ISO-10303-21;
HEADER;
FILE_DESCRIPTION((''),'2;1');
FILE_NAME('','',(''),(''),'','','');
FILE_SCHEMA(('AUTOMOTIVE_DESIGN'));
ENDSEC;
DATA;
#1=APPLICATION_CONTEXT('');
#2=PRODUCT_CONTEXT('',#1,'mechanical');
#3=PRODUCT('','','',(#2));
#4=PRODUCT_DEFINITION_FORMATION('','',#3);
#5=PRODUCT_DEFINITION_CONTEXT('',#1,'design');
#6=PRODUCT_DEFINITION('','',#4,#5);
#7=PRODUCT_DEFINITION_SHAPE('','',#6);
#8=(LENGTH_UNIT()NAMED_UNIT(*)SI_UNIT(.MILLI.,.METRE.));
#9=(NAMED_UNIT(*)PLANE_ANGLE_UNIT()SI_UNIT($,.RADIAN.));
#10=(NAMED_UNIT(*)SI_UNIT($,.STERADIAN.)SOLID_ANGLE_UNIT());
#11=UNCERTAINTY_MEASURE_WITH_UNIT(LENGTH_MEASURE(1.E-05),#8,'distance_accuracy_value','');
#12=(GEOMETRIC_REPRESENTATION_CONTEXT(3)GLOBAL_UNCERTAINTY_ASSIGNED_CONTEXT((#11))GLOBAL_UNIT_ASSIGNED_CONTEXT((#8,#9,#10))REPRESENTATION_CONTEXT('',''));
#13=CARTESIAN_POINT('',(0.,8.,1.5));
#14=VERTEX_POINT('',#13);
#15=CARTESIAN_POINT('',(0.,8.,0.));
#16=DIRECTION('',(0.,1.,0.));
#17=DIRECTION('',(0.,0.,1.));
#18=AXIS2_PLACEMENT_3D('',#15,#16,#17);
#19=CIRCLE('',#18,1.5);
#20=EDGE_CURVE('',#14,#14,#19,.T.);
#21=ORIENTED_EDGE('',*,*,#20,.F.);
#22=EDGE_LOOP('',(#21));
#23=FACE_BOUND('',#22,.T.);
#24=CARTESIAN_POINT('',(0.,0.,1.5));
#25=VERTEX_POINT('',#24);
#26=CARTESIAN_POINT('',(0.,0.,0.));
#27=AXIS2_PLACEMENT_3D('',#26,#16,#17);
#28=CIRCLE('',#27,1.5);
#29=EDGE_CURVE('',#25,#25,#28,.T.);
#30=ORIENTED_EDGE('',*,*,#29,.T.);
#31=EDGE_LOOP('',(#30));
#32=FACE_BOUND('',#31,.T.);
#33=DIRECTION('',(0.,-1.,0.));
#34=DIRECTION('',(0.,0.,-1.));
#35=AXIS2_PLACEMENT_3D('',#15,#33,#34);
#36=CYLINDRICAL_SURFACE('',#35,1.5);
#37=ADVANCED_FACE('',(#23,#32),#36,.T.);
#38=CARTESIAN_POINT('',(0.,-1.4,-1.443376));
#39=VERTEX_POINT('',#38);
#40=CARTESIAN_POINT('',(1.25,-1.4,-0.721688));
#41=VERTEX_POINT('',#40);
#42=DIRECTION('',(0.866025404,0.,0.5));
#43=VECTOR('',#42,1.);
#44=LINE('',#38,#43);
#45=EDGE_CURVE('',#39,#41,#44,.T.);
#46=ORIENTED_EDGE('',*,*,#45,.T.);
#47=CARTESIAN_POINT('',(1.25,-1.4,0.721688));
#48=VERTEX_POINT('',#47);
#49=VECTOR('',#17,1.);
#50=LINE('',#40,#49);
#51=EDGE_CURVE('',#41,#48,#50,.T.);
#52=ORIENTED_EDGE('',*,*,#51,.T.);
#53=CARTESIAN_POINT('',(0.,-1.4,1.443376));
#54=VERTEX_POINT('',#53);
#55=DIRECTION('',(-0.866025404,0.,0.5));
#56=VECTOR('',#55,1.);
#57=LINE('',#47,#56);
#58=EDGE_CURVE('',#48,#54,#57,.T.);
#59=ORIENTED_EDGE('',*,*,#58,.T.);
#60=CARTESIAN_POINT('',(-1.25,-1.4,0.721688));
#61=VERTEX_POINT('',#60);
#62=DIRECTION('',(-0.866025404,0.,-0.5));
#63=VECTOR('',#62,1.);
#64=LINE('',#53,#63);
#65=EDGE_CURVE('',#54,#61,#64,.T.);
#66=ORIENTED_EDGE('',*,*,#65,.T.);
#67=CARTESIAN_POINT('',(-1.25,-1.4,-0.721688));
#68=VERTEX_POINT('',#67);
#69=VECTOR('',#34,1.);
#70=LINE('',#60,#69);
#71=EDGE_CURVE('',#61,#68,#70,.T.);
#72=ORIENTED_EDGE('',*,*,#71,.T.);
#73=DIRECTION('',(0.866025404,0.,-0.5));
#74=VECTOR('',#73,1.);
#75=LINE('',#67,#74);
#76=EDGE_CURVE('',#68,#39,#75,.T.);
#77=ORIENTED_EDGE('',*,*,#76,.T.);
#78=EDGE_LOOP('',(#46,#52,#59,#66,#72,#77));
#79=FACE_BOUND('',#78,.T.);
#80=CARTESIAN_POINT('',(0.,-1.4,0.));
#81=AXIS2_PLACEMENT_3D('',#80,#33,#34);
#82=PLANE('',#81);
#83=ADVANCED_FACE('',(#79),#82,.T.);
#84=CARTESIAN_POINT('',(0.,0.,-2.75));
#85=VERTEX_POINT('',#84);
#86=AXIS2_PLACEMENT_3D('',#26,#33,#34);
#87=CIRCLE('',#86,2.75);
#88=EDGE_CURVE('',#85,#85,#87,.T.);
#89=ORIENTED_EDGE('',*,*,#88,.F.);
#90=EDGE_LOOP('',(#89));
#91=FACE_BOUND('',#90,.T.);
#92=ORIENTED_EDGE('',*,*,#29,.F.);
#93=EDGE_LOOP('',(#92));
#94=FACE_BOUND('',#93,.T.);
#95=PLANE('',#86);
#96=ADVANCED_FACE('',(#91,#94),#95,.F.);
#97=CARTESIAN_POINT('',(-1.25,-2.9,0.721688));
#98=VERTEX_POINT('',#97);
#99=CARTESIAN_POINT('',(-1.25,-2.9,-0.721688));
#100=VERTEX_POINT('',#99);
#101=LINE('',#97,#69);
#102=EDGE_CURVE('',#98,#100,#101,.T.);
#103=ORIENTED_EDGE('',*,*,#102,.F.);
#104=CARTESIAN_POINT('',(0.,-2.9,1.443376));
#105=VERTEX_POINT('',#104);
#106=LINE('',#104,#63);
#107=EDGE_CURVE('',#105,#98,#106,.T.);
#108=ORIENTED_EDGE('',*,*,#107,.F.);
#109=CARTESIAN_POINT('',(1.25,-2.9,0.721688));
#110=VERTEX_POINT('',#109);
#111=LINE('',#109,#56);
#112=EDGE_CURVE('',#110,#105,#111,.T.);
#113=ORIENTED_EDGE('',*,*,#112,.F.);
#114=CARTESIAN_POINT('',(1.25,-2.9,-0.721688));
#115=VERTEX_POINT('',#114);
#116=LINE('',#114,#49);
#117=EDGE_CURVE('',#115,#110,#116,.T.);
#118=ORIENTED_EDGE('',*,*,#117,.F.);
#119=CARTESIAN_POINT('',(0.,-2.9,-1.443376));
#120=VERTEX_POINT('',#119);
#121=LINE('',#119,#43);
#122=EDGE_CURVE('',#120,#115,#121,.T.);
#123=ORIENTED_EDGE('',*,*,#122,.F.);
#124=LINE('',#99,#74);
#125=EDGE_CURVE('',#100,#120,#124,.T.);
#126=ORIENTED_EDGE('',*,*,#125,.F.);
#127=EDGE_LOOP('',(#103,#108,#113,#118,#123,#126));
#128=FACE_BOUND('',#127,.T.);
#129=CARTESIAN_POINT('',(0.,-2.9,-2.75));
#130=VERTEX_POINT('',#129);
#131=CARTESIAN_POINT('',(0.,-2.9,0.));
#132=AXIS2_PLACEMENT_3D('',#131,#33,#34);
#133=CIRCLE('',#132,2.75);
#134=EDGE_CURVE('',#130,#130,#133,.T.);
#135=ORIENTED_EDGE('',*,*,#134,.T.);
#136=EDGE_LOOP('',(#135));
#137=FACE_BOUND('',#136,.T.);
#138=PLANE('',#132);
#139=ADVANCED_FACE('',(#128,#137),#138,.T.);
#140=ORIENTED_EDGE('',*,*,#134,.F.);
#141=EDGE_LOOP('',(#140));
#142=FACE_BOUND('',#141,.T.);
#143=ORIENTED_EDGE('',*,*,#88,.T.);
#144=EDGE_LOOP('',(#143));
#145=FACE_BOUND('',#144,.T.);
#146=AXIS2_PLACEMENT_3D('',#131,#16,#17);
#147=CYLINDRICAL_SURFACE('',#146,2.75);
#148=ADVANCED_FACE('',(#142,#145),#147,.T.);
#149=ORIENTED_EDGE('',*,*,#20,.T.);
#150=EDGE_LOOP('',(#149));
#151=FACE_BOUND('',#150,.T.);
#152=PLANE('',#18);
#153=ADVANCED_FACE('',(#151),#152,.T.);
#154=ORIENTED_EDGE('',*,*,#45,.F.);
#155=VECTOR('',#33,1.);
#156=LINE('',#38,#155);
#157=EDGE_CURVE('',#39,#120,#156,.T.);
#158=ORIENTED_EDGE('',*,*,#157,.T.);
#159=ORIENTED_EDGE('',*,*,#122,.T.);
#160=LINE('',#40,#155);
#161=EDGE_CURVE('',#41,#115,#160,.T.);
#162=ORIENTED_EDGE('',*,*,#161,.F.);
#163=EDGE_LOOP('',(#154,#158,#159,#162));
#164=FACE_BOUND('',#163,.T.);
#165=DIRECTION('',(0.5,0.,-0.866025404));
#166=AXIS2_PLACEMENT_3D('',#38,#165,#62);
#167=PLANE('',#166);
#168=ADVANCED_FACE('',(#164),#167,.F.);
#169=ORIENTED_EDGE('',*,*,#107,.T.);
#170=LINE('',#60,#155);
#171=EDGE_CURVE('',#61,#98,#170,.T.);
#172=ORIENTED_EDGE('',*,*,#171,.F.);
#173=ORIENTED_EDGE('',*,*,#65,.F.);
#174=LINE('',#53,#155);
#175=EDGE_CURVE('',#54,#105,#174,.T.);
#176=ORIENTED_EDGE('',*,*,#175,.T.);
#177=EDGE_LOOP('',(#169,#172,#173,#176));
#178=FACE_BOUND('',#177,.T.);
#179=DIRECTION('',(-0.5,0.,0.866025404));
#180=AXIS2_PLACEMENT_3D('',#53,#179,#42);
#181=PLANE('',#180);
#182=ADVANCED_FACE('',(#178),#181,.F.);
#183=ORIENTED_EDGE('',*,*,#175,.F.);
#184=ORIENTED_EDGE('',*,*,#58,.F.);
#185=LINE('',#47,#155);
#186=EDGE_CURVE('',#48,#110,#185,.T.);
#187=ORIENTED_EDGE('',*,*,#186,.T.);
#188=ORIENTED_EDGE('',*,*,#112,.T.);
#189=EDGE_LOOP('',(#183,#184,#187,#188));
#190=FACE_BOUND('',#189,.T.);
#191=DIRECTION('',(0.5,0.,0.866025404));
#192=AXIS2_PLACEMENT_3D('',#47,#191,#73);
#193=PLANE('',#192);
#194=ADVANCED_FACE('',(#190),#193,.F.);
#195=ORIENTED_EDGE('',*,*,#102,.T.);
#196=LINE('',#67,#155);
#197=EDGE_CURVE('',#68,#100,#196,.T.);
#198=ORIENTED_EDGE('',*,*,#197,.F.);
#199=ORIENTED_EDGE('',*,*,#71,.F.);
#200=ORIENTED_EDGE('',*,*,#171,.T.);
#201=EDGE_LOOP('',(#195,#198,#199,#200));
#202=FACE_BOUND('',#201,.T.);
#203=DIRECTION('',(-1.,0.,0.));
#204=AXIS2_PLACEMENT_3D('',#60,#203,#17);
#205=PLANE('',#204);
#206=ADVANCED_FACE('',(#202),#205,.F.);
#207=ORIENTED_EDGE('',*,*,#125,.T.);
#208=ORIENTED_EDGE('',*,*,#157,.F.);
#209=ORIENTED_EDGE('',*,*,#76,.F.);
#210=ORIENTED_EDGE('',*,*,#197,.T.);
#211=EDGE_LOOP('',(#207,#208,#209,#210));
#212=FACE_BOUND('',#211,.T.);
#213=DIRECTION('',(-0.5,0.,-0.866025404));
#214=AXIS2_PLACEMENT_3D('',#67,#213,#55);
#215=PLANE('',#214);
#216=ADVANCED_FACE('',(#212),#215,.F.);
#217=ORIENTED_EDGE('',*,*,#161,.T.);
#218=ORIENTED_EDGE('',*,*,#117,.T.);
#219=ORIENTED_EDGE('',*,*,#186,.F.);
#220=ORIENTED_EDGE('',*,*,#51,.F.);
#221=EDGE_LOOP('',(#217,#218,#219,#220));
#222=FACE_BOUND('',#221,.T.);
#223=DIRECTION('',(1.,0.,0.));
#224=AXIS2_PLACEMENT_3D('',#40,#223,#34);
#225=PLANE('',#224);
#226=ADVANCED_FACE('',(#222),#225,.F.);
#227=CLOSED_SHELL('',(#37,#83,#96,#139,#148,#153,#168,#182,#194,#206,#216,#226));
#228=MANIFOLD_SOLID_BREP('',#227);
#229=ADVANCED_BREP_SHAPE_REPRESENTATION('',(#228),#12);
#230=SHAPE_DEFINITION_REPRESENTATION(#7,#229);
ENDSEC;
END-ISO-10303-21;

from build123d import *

# Parameters (mm, degrees)
SKETCH_1_R          = 1.5
EXTRUDE_1_DEPTH     = 8
SKETCH_2_R          = 2.75
EXTRUDE_2_DEPTH     = 2.9
CUT_EXTRUDE_1_DEPTH = 1.5


with BuildPart() as part:
    # 草图1 → 凸台-拉伸1 (new body)
    with BuildSketch(Plane(origin=(0, 0, 0), x_dir=(1, 0, 0), z_dir=(0, 1, 0))):
        with Locations(Location((0, 0, 0), (0, 0, 270))):
            Circle(SKETCH_1_R)
    extrude(amount=EXTRUDE_1_DEPTH)

    # 草图2 → 凸台-拉伸2 (add)
    with BuildSketch(Plane.XZ):
        with Locations(Location((0, 0, 0), (0, 0, 270))):
            Circle(SKETCH_2_R)
    extrude(amount=EXTRUDE_2_DEPTH)

    # 草图3 → 切除-拉伸1 (cut)
    with BuildSketch(Plane.XZ.offset(2.9)):
        Polygon((1.25, 0.721687836), (0, 1.443375673), (-1.25, 0.721687836), (-1.25, -0.721687836), (0, -1.443375673), (1.25, -0.721687836), align=None)
    extrude(amount=-CUT_EXTRUDE_1_DEPTH, mode=Mode.SUBTRACT)


solid = part.part
